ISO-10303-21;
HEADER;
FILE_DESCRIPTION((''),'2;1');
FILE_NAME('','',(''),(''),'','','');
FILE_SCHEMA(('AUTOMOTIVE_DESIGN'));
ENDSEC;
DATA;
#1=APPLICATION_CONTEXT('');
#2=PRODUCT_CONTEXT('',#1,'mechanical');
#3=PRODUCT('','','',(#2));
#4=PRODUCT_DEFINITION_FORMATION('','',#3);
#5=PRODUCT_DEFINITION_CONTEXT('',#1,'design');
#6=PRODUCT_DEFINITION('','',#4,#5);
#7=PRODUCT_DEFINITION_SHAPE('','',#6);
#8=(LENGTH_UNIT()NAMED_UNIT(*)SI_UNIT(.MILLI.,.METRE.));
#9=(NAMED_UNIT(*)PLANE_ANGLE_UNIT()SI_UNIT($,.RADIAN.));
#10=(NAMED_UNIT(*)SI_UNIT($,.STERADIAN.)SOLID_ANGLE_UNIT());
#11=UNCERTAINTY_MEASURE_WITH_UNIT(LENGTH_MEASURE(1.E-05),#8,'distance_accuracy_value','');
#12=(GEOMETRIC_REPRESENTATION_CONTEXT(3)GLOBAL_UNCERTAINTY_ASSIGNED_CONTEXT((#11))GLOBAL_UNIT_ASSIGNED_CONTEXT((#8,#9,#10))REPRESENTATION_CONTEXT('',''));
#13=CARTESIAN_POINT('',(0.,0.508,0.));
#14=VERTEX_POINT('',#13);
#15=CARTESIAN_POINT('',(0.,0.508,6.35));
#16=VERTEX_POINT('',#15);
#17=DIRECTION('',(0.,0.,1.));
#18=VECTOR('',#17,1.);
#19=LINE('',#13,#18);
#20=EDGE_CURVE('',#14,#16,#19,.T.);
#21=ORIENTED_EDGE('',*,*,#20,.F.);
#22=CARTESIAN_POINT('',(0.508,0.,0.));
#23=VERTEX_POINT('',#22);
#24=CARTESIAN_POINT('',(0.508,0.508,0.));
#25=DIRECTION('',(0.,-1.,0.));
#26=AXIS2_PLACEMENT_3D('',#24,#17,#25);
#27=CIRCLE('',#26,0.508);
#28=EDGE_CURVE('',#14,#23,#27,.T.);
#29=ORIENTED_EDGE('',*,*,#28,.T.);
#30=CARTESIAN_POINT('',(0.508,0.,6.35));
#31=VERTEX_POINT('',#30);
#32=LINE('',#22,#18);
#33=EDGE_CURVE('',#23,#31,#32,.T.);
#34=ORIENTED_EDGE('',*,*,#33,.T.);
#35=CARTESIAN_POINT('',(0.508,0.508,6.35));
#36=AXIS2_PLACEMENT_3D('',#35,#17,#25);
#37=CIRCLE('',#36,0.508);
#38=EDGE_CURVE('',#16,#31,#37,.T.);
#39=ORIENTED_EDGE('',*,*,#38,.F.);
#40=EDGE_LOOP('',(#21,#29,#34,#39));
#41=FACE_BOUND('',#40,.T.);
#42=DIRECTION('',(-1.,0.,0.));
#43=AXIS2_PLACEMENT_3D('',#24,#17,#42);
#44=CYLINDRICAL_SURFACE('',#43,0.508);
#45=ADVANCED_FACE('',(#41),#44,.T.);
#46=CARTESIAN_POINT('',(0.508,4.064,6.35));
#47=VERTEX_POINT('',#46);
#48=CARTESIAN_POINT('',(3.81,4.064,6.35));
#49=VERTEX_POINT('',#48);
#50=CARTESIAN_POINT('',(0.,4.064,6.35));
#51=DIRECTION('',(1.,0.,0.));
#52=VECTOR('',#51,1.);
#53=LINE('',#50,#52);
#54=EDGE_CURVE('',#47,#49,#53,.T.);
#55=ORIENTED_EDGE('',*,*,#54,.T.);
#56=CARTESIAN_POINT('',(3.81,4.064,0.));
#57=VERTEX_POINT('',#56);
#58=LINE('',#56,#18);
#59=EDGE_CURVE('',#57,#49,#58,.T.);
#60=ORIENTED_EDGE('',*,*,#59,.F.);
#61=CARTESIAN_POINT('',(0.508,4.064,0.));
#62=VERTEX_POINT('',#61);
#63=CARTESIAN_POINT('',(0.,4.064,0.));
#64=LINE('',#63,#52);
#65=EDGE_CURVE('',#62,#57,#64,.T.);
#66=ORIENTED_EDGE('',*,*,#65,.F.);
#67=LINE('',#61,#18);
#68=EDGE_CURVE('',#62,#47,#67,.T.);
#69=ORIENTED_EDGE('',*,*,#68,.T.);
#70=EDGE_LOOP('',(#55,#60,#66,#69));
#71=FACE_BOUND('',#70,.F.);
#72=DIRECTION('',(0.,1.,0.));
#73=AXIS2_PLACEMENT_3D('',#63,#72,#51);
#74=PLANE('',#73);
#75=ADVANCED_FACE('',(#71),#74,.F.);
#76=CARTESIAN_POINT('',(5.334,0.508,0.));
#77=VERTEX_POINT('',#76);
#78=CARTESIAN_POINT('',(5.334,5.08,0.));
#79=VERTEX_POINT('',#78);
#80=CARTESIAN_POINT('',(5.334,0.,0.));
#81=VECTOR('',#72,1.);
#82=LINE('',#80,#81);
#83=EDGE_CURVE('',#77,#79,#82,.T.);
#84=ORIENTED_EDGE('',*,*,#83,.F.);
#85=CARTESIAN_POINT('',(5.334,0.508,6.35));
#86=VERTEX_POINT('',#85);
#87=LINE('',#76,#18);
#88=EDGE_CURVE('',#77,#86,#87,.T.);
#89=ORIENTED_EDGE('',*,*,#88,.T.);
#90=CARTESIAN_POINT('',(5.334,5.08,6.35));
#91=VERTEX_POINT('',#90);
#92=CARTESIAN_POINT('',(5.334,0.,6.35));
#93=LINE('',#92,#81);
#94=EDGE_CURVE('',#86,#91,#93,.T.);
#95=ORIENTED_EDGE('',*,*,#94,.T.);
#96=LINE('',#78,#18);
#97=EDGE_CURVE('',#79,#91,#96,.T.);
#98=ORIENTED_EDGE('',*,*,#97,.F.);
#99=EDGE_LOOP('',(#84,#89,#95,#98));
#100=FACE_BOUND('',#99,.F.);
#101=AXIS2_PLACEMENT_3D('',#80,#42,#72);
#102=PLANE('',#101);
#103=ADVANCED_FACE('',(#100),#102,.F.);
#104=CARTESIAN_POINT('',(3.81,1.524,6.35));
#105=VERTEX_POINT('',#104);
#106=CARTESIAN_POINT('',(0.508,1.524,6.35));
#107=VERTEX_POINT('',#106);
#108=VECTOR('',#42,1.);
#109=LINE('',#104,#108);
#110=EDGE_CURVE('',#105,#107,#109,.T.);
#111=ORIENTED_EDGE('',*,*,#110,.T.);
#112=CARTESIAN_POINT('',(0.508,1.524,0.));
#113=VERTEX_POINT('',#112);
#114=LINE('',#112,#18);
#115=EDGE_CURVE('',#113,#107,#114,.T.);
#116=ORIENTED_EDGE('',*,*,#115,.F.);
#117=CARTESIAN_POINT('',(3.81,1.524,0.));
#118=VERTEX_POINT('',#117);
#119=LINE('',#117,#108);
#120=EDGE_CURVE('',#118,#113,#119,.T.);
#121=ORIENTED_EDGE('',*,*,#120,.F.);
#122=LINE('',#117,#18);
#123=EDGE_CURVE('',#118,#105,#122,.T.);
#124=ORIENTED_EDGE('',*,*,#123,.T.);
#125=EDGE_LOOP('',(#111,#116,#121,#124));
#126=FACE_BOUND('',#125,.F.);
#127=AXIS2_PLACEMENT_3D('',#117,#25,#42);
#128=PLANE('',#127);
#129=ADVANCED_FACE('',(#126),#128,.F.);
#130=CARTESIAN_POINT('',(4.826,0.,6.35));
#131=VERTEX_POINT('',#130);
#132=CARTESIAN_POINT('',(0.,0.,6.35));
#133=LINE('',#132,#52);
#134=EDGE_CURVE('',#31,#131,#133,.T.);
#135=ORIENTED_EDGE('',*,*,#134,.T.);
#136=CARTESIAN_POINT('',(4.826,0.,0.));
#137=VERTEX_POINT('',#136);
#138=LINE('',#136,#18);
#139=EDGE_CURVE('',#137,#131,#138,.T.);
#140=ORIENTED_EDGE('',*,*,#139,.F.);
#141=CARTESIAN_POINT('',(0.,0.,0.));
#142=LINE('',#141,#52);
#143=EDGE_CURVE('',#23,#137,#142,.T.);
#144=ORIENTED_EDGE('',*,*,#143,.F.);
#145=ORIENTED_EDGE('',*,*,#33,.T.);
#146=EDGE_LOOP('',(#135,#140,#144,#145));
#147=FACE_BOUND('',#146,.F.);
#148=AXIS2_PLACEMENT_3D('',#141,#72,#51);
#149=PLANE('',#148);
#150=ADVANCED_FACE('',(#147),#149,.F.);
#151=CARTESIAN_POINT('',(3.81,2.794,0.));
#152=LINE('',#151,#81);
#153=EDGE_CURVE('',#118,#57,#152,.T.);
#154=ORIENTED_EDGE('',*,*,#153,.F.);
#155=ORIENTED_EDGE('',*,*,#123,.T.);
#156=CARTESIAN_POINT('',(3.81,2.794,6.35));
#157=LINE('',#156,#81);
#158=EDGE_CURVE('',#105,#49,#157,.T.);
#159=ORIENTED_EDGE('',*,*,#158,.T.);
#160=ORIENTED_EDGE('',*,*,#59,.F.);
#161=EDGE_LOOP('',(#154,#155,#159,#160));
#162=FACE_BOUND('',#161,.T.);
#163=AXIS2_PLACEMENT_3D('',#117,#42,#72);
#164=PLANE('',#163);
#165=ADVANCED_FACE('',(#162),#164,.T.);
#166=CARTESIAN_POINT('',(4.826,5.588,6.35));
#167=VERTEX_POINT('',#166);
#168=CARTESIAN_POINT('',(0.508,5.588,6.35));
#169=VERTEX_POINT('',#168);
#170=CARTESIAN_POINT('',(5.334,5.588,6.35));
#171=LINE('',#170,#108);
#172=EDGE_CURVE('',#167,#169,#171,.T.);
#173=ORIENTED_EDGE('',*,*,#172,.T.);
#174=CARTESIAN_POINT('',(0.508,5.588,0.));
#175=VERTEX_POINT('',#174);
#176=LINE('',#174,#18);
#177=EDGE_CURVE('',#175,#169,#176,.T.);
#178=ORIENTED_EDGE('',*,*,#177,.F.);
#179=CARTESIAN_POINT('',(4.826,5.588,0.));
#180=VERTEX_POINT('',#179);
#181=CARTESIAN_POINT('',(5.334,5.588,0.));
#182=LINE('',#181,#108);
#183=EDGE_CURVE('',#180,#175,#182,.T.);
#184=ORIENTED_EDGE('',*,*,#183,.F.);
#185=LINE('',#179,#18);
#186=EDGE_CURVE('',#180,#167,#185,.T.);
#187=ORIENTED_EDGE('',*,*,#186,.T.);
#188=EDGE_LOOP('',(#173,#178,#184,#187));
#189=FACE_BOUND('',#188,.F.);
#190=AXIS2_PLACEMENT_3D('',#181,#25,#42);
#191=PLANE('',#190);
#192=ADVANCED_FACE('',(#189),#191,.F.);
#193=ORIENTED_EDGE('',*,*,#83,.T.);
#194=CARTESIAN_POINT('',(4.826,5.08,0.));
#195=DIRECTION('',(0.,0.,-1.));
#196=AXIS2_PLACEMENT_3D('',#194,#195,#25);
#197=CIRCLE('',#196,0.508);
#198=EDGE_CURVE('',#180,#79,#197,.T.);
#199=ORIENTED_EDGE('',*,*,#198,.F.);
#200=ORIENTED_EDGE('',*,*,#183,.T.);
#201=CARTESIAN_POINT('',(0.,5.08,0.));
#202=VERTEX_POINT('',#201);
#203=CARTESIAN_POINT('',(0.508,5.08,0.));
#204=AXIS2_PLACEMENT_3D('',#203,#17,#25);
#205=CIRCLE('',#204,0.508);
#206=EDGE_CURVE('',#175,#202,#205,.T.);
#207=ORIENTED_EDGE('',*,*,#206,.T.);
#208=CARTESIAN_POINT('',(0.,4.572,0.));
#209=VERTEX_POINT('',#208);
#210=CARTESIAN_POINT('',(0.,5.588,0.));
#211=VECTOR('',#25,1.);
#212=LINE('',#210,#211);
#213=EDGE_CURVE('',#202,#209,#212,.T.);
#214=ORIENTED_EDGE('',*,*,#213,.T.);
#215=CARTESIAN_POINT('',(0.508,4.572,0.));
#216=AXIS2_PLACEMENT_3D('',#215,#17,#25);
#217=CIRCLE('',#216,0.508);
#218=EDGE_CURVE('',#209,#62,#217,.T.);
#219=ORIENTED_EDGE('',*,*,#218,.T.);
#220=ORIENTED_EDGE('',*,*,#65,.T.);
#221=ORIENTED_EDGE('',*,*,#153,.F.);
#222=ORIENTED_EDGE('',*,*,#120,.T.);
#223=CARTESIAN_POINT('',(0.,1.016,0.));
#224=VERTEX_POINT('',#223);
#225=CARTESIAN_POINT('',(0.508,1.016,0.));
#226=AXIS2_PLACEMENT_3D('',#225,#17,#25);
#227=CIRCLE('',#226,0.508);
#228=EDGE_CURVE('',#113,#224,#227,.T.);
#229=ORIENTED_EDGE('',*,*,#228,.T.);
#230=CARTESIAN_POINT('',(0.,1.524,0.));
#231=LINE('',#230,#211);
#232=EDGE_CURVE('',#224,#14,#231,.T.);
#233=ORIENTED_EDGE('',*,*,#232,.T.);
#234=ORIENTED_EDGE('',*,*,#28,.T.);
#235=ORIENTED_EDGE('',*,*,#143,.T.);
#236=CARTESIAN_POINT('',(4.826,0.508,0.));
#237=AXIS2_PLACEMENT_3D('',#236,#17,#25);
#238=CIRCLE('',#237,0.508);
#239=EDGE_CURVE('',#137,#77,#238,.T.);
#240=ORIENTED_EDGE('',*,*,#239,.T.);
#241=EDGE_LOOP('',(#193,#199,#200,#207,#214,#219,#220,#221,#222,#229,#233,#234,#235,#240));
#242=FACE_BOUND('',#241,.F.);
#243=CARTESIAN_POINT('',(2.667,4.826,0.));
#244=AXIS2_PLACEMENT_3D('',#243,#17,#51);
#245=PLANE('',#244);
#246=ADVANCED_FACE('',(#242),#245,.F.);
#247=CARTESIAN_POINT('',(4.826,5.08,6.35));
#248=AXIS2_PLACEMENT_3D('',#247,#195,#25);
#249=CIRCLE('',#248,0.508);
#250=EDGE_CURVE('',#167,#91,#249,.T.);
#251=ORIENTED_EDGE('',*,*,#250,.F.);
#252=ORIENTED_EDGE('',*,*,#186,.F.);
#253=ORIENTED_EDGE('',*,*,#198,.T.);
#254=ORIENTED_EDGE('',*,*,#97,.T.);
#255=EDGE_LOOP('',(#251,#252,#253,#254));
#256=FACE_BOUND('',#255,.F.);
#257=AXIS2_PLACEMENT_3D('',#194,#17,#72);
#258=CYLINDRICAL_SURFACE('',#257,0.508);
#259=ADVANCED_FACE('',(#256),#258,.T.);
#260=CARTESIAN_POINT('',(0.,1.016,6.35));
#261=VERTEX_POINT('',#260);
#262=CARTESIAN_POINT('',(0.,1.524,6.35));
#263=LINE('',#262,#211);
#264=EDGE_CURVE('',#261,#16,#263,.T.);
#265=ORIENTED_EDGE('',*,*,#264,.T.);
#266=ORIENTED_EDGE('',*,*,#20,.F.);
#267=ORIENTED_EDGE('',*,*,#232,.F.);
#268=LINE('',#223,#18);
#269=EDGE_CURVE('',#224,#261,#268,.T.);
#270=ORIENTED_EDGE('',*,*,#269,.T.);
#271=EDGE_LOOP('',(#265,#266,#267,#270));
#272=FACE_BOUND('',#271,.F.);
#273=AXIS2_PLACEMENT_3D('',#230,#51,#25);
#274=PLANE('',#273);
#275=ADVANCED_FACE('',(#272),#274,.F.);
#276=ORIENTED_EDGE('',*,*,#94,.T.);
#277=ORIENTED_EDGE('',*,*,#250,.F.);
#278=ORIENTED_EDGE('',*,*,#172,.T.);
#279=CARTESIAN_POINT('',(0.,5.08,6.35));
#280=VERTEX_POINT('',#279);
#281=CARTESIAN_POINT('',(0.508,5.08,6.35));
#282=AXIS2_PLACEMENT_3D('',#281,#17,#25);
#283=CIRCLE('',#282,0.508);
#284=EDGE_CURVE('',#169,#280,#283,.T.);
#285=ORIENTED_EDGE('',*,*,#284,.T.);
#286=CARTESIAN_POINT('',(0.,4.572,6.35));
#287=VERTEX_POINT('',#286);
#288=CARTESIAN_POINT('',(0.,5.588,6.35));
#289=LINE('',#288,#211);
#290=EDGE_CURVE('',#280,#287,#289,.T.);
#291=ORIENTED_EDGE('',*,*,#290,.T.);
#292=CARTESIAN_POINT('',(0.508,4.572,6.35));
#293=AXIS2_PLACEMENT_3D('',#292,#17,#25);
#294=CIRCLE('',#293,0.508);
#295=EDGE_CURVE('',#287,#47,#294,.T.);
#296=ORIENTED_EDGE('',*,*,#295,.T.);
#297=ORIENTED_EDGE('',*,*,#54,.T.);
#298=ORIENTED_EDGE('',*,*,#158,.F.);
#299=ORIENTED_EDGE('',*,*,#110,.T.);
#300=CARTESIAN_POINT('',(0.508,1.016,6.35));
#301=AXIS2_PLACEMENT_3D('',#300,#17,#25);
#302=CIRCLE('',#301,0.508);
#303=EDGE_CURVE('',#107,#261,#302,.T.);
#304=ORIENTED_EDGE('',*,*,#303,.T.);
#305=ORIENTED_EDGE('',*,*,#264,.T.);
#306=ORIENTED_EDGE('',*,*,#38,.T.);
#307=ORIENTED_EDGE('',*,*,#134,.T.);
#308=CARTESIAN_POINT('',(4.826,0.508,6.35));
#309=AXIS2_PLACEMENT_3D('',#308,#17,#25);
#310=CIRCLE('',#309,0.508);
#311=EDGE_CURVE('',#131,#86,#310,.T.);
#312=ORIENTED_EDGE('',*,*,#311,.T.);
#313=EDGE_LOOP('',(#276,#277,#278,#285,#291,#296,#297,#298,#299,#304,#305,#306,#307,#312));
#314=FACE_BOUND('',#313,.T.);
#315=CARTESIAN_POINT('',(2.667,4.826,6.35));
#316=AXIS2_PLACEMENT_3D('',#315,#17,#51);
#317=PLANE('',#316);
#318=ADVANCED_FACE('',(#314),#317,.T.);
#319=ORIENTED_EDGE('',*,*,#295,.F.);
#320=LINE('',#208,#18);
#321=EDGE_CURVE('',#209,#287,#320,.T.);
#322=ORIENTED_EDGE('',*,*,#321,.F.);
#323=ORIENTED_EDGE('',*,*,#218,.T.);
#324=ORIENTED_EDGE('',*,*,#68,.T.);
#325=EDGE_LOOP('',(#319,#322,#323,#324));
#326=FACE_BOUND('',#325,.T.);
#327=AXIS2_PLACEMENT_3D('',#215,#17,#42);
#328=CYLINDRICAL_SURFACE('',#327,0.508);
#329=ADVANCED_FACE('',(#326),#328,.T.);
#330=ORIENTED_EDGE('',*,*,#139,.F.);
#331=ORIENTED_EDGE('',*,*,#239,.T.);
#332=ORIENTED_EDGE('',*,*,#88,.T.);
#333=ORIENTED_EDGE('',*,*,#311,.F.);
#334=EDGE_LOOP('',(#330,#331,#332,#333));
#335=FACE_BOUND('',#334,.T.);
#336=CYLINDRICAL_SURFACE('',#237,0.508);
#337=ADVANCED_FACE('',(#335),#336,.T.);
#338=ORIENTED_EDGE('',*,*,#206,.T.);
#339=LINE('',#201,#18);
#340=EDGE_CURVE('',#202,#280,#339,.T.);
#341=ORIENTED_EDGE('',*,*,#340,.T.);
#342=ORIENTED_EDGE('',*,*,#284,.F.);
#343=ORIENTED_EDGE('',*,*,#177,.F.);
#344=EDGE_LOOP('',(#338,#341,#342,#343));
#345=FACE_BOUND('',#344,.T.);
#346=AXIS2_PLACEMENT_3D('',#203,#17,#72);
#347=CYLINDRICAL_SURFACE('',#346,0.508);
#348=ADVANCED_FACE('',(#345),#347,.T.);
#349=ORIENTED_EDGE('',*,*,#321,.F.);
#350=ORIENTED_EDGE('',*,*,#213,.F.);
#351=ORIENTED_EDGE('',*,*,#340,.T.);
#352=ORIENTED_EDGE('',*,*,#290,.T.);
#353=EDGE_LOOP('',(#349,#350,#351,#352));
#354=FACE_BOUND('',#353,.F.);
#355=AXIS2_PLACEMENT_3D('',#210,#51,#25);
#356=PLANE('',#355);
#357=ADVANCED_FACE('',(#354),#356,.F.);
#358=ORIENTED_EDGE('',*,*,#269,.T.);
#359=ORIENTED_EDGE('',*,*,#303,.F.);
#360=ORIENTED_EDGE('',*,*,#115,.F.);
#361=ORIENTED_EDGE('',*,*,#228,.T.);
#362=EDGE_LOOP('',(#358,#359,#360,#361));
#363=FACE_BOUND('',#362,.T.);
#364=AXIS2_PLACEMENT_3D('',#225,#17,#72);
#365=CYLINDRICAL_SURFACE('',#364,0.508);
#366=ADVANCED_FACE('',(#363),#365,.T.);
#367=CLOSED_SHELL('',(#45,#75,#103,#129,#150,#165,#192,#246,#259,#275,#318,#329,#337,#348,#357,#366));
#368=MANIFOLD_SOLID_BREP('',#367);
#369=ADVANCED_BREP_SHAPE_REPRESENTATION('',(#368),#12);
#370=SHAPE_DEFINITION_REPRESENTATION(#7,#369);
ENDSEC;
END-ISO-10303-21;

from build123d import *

# Parameters (mm, degrees)
F0_W     = 1.524
F0_H     = 2.54
F1_DEPTH = 6.35
F2_R     = 0.508


with BuildPart() as f1:
    # F0 (on Top) → F1 (new body)
    with BuildSketch(Plane.XY):
        Polygon((3.81, 4.064), (5.334, 4.064), (5.334, 5.588), (0, 5.588), (0, 4.064), align=None)
        with Locations((4.572, 2.794)):
            Rectangle(F0_W, F0_H)
        Polygon((0, 1.524), (0, 0), (5.334, 0), (5.334, 1.524), (3.81, 1.524), align=None)
    extrude(amount=F1_DEPTH)

    # F2
    f2_edges = [f1.edges().sort_by_distance(p)[0] for p in [
        (0, 4.064, 3.175),
        (0, 5.588, 3.175),
        (0, 1.524, 3.175),
        (0, 0, 3.175),
        (5.334, 0, 3.175),
        (5.334, 5.588, 3.175),
    ]]
    fillet(f2_edges, radius=F2_R)


solid = f1.part
